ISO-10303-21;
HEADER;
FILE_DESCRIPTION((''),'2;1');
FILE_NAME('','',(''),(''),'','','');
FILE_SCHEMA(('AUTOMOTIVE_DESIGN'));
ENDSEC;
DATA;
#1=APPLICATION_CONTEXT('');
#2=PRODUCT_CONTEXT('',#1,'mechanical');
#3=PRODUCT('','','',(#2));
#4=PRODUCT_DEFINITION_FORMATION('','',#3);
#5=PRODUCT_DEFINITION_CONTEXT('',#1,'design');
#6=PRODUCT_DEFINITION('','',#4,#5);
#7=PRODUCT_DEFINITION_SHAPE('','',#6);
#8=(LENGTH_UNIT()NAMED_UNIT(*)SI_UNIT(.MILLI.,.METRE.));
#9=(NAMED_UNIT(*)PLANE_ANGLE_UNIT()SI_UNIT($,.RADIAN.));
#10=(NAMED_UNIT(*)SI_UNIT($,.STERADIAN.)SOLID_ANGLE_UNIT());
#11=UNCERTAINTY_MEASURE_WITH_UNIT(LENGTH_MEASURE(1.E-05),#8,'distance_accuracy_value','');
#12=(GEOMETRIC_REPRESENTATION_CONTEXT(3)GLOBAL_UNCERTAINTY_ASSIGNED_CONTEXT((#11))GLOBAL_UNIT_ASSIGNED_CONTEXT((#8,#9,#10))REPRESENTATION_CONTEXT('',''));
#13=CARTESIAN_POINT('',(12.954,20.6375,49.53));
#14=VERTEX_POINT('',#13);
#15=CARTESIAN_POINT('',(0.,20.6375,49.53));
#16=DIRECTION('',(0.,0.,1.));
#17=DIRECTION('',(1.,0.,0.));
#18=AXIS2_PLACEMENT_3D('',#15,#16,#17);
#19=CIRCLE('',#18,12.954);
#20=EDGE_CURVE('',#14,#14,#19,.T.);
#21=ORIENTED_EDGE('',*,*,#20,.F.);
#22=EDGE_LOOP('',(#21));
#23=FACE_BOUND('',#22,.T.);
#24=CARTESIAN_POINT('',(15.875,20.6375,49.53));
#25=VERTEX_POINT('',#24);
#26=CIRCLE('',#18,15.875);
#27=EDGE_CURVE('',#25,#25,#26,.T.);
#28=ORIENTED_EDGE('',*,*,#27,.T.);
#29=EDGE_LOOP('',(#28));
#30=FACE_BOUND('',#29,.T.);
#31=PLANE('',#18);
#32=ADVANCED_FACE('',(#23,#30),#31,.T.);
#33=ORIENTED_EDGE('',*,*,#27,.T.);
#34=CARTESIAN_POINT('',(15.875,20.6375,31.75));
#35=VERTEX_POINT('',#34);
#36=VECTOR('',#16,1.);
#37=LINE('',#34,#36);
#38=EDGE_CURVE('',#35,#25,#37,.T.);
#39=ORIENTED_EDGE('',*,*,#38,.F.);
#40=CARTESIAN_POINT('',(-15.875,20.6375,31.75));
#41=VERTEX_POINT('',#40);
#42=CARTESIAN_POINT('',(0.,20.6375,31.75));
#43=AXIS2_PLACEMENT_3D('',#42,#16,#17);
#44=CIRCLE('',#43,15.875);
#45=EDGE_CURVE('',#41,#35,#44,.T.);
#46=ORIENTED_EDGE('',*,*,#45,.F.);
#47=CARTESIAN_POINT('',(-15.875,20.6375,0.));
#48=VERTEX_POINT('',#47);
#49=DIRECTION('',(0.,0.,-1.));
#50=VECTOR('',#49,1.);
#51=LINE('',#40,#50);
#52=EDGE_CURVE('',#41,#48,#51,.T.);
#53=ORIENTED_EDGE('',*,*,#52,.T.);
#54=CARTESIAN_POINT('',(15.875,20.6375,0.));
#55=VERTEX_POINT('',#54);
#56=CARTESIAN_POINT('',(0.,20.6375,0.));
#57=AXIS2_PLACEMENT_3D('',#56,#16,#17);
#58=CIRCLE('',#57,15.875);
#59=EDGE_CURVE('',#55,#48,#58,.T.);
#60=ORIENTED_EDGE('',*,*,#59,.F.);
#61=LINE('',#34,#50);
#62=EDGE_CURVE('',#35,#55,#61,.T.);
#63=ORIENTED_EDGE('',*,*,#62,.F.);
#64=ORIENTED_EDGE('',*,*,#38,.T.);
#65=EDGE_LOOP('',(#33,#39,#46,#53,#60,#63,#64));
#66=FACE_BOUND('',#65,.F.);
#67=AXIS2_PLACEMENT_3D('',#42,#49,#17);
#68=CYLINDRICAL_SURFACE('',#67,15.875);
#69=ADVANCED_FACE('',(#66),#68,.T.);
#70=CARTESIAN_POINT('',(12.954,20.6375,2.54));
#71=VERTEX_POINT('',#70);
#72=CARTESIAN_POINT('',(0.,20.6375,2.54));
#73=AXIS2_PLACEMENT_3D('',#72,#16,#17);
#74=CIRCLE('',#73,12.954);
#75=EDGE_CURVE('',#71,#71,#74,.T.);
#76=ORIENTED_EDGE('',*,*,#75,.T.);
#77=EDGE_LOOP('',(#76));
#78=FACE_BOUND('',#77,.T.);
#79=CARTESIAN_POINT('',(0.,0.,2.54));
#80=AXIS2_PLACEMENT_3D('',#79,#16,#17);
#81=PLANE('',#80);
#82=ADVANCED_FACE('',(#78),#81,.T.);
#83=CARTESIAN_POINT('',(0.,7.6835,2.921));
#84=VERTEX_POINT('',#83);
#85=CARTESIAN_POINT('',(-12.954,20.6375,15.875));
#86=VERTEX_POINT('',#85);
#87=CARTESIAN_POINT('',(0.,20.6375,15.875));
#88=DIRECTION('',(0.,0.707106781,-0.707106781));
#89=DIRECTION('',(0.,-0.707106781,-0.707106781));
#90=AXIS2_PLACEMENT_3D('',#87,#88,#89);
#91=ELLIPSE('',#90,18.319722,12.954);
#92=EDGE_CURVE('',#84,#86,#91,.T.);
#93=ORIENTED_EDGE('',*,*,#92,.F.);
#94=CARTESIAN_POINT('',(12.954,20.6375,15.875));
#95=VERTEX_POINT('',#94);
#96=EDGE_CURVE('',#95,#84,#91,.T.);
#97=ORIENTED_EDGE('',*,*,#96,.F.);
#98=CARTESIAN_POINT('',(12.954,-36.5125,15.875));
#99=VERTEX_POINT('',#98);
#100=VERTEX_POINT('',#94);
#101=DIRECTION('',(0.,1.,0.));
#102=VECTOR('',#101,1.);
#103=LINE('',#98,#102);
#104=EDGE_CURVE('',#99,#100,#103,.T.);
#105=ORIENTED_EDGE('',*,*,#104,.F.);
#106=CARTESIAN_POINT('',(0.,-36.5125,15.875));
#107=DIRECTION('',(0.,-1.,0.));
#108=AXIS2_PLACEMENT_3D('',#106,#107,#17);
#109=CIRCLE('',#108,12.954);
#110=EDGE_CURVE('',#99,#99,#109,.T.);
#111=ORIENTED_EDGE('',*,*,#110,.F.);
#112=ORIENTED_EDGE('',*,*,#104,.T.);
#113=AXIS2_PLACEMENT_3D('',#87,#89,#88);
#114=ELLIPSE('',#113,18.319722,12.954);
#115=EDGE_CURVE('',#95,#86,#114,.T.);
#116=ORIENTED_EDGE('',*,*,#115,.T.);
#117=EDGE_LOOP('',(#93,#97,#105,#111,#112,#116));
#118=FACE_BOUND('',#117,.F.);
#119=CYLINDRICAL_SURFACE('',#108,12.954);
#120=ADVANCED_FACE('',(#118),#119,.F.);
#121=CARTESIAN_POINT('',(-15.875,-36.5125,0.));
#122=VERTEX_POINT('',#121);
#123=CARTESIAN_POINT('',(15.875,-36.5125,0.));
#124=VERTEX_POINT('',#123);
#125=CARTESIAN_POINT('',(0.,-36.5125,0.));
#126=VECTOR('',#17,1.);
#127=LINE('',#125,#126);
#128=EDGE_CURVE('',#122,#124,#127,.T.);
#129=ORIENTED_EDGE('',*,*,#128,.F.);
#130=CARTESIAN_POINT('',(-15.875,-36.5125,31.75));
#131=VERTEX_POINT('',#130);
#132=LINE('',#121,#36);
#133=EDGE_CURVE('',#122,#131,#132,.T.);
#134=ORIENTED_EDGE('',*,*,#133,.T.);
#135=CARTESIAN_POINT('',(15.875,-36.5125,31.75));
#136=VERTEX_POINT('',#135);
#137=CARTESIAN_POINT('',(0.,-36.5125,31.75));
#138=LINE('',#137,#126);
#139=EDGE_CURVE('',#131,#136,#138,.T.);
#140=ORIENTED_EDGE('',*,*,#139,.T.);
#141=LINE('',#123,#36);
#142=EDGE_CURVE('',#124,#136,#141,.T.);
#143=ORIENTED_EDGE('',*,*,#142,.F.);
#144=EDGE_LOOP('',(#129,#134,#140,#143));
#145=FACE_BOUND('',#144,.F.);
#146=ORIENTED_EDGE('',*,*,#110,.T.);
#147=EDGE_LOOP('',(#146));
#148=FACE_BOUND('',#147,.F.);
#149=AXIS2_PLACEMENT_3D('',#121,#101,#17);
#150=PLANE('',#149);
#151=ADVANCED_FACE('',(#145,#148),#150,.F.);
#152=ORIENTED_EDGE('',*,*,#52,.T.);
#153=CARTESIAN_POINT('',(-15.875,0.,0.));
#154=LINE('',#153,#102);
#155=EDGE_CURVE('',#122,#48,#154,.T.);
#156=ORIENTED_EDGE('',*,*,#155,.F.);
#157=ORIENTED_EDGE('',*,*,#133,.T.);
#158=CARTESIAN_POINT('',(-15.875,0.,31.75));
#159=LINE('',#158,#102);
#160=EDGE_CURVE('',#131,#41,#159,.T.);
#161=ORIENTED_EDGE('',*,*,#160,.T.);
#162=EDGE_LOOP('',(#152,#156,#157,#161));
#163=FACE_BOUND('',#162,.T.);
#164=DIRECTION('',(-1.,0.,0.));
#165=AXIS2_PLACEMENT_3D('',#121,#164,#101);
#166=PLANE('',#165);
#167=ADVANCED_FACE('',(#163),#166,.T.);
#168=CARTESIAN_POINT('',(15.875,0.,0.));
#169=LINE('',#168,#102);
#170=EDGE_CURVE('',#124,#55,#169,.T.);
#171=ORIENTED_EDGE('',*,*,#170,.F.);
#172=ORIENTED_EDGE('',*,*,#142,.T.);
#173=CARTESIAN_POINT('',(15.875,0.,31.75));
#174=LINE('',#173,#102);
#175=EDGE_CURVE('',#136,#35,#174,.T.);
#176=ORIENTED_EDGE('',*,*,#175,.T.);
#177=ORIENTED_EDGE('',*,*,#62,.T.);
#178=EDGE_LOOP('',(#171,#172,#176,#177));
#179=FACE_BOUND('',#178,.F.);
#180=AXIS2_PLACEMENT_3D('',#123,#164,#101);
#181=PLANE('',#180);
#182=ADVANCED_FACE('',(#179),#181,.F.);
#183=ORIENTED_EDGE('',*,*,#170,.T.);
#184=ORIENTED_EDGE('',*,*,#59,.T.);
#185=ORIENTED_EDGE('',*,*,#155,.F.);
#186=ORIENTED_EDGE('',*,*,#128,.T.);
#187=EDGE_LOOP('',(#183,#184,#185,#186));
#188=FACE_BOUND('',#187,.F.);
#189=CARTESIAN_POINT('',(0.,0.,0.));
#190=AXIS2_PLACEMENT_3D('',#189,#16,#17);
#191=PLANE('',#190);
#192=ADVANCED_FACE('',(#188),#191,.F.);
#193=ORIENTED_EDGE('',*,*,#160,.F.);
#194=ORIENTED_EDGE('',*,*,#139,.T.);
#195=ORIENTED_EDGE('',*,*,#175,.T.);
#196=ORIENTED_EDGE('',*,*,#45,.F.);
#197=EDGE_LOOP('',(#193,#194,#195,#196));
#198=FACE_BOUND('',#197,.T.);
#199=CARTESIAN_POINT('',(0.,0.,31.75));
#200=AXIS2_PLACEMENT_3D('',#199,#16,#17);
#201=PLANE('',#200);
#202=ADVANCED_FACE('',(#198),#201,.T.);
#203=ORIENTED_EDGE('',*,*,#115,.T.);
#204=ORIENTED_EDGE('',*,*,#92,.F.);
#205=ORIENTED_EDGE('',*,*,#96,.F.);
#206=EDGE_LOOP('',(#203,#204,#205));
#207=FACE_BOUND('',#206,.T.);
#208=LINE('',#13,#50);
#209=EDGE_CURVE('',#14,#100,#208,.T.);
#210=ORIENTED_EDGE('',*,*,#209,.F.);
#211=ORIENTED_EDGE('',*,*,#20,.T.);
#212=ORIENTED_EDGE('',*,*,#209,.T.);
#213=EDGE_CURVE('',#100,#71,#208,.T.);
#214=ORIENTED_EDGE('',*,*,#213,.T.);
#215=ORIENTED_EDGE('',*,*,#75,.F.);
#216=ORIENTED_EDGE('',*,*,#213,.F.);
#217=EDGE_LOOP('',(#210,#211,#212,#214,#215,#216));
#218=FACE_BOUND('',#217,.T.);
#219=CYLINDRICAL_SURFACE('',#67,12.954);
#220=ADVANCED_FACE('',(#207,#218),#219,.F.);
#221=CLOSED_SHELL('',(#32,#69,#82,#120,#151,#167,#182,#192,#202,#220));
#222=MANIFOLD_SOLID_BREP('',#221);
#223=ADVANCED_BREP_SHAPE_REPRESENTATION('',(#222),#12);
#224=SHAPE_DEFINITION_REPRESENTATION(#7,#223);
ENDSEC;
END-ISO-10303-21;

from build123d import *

# Parameters (mm, degrees)
F0_W     = 31.75
F0_H     = 73.025
F1_DEPTH = 31.75
F2_R     = 15.875
F2_R_2   = 12.954
F3_DEPTH = 17.78
F4_DEPTH = 31.751
F5_DEPTH = 31.751
F6_DEPTH = 29.21
F7_R     = 12.954
F8_DEPTH = 57.15


with BuildPart() as f1:
    # F0 (on Top) → F1 (new body)
    with BuildSketch(Plane.XY):
        Rectangle(F0_W, F0_H)
    extrude(amount=F1_DEPTH)

    # F2 (on face) → F3 (join)
    with BuildSketch(Plane.XY.offset(31.75)):
        with Locations((0, 20.6375)):
            Circle(F2_R)
        with Locations((0, 20.6375)):
            Circle(F2_R_2, mode=Mode.SUBTRACT)
    extrude(amount=F3_DEPTH)

    # F4 (cut, through all): a face of the model
    f4_faces = [f1.faces().sort_by_distance(p)[0] for p in [
        (-12.3290339692, 32.9665339692, 31.75),
    ]]
    extrude(f4_faces, amount=-F4_DEPTH, mode=Mode.SUBTRACT)

    # F5 (cut, through all): a face of the model
    f5_faces = [f1.faces().sort_by_distance(p)[0] for p in [
        (12.3290339692, 32.9665339692, 31.75),
    ]]
    extrude(f5_faces, amount=-F5_DEPTH, mode=Mode.SUBTRACT)

    # F6 (cut): a face of the model
    f6_faces = [f1.faces().sort_by_distance(p)[0] for p in [
        (0, 20.6375, 31.75),
    ]]
    extrude(f6_faces, amount=-F6_DEPTH, mode=Mode.SUBTRACT)

    # F7 (on face) → F8 (cut)
    with BuildSketch(Plane.XZ.offset(36.5125)):
        with Locations((0, 15.875)):
            Circle(F7_R)
    extrude(amount=-F8_DEPTH, mode=Mode.SUBTRACT)


solid = f1.part
